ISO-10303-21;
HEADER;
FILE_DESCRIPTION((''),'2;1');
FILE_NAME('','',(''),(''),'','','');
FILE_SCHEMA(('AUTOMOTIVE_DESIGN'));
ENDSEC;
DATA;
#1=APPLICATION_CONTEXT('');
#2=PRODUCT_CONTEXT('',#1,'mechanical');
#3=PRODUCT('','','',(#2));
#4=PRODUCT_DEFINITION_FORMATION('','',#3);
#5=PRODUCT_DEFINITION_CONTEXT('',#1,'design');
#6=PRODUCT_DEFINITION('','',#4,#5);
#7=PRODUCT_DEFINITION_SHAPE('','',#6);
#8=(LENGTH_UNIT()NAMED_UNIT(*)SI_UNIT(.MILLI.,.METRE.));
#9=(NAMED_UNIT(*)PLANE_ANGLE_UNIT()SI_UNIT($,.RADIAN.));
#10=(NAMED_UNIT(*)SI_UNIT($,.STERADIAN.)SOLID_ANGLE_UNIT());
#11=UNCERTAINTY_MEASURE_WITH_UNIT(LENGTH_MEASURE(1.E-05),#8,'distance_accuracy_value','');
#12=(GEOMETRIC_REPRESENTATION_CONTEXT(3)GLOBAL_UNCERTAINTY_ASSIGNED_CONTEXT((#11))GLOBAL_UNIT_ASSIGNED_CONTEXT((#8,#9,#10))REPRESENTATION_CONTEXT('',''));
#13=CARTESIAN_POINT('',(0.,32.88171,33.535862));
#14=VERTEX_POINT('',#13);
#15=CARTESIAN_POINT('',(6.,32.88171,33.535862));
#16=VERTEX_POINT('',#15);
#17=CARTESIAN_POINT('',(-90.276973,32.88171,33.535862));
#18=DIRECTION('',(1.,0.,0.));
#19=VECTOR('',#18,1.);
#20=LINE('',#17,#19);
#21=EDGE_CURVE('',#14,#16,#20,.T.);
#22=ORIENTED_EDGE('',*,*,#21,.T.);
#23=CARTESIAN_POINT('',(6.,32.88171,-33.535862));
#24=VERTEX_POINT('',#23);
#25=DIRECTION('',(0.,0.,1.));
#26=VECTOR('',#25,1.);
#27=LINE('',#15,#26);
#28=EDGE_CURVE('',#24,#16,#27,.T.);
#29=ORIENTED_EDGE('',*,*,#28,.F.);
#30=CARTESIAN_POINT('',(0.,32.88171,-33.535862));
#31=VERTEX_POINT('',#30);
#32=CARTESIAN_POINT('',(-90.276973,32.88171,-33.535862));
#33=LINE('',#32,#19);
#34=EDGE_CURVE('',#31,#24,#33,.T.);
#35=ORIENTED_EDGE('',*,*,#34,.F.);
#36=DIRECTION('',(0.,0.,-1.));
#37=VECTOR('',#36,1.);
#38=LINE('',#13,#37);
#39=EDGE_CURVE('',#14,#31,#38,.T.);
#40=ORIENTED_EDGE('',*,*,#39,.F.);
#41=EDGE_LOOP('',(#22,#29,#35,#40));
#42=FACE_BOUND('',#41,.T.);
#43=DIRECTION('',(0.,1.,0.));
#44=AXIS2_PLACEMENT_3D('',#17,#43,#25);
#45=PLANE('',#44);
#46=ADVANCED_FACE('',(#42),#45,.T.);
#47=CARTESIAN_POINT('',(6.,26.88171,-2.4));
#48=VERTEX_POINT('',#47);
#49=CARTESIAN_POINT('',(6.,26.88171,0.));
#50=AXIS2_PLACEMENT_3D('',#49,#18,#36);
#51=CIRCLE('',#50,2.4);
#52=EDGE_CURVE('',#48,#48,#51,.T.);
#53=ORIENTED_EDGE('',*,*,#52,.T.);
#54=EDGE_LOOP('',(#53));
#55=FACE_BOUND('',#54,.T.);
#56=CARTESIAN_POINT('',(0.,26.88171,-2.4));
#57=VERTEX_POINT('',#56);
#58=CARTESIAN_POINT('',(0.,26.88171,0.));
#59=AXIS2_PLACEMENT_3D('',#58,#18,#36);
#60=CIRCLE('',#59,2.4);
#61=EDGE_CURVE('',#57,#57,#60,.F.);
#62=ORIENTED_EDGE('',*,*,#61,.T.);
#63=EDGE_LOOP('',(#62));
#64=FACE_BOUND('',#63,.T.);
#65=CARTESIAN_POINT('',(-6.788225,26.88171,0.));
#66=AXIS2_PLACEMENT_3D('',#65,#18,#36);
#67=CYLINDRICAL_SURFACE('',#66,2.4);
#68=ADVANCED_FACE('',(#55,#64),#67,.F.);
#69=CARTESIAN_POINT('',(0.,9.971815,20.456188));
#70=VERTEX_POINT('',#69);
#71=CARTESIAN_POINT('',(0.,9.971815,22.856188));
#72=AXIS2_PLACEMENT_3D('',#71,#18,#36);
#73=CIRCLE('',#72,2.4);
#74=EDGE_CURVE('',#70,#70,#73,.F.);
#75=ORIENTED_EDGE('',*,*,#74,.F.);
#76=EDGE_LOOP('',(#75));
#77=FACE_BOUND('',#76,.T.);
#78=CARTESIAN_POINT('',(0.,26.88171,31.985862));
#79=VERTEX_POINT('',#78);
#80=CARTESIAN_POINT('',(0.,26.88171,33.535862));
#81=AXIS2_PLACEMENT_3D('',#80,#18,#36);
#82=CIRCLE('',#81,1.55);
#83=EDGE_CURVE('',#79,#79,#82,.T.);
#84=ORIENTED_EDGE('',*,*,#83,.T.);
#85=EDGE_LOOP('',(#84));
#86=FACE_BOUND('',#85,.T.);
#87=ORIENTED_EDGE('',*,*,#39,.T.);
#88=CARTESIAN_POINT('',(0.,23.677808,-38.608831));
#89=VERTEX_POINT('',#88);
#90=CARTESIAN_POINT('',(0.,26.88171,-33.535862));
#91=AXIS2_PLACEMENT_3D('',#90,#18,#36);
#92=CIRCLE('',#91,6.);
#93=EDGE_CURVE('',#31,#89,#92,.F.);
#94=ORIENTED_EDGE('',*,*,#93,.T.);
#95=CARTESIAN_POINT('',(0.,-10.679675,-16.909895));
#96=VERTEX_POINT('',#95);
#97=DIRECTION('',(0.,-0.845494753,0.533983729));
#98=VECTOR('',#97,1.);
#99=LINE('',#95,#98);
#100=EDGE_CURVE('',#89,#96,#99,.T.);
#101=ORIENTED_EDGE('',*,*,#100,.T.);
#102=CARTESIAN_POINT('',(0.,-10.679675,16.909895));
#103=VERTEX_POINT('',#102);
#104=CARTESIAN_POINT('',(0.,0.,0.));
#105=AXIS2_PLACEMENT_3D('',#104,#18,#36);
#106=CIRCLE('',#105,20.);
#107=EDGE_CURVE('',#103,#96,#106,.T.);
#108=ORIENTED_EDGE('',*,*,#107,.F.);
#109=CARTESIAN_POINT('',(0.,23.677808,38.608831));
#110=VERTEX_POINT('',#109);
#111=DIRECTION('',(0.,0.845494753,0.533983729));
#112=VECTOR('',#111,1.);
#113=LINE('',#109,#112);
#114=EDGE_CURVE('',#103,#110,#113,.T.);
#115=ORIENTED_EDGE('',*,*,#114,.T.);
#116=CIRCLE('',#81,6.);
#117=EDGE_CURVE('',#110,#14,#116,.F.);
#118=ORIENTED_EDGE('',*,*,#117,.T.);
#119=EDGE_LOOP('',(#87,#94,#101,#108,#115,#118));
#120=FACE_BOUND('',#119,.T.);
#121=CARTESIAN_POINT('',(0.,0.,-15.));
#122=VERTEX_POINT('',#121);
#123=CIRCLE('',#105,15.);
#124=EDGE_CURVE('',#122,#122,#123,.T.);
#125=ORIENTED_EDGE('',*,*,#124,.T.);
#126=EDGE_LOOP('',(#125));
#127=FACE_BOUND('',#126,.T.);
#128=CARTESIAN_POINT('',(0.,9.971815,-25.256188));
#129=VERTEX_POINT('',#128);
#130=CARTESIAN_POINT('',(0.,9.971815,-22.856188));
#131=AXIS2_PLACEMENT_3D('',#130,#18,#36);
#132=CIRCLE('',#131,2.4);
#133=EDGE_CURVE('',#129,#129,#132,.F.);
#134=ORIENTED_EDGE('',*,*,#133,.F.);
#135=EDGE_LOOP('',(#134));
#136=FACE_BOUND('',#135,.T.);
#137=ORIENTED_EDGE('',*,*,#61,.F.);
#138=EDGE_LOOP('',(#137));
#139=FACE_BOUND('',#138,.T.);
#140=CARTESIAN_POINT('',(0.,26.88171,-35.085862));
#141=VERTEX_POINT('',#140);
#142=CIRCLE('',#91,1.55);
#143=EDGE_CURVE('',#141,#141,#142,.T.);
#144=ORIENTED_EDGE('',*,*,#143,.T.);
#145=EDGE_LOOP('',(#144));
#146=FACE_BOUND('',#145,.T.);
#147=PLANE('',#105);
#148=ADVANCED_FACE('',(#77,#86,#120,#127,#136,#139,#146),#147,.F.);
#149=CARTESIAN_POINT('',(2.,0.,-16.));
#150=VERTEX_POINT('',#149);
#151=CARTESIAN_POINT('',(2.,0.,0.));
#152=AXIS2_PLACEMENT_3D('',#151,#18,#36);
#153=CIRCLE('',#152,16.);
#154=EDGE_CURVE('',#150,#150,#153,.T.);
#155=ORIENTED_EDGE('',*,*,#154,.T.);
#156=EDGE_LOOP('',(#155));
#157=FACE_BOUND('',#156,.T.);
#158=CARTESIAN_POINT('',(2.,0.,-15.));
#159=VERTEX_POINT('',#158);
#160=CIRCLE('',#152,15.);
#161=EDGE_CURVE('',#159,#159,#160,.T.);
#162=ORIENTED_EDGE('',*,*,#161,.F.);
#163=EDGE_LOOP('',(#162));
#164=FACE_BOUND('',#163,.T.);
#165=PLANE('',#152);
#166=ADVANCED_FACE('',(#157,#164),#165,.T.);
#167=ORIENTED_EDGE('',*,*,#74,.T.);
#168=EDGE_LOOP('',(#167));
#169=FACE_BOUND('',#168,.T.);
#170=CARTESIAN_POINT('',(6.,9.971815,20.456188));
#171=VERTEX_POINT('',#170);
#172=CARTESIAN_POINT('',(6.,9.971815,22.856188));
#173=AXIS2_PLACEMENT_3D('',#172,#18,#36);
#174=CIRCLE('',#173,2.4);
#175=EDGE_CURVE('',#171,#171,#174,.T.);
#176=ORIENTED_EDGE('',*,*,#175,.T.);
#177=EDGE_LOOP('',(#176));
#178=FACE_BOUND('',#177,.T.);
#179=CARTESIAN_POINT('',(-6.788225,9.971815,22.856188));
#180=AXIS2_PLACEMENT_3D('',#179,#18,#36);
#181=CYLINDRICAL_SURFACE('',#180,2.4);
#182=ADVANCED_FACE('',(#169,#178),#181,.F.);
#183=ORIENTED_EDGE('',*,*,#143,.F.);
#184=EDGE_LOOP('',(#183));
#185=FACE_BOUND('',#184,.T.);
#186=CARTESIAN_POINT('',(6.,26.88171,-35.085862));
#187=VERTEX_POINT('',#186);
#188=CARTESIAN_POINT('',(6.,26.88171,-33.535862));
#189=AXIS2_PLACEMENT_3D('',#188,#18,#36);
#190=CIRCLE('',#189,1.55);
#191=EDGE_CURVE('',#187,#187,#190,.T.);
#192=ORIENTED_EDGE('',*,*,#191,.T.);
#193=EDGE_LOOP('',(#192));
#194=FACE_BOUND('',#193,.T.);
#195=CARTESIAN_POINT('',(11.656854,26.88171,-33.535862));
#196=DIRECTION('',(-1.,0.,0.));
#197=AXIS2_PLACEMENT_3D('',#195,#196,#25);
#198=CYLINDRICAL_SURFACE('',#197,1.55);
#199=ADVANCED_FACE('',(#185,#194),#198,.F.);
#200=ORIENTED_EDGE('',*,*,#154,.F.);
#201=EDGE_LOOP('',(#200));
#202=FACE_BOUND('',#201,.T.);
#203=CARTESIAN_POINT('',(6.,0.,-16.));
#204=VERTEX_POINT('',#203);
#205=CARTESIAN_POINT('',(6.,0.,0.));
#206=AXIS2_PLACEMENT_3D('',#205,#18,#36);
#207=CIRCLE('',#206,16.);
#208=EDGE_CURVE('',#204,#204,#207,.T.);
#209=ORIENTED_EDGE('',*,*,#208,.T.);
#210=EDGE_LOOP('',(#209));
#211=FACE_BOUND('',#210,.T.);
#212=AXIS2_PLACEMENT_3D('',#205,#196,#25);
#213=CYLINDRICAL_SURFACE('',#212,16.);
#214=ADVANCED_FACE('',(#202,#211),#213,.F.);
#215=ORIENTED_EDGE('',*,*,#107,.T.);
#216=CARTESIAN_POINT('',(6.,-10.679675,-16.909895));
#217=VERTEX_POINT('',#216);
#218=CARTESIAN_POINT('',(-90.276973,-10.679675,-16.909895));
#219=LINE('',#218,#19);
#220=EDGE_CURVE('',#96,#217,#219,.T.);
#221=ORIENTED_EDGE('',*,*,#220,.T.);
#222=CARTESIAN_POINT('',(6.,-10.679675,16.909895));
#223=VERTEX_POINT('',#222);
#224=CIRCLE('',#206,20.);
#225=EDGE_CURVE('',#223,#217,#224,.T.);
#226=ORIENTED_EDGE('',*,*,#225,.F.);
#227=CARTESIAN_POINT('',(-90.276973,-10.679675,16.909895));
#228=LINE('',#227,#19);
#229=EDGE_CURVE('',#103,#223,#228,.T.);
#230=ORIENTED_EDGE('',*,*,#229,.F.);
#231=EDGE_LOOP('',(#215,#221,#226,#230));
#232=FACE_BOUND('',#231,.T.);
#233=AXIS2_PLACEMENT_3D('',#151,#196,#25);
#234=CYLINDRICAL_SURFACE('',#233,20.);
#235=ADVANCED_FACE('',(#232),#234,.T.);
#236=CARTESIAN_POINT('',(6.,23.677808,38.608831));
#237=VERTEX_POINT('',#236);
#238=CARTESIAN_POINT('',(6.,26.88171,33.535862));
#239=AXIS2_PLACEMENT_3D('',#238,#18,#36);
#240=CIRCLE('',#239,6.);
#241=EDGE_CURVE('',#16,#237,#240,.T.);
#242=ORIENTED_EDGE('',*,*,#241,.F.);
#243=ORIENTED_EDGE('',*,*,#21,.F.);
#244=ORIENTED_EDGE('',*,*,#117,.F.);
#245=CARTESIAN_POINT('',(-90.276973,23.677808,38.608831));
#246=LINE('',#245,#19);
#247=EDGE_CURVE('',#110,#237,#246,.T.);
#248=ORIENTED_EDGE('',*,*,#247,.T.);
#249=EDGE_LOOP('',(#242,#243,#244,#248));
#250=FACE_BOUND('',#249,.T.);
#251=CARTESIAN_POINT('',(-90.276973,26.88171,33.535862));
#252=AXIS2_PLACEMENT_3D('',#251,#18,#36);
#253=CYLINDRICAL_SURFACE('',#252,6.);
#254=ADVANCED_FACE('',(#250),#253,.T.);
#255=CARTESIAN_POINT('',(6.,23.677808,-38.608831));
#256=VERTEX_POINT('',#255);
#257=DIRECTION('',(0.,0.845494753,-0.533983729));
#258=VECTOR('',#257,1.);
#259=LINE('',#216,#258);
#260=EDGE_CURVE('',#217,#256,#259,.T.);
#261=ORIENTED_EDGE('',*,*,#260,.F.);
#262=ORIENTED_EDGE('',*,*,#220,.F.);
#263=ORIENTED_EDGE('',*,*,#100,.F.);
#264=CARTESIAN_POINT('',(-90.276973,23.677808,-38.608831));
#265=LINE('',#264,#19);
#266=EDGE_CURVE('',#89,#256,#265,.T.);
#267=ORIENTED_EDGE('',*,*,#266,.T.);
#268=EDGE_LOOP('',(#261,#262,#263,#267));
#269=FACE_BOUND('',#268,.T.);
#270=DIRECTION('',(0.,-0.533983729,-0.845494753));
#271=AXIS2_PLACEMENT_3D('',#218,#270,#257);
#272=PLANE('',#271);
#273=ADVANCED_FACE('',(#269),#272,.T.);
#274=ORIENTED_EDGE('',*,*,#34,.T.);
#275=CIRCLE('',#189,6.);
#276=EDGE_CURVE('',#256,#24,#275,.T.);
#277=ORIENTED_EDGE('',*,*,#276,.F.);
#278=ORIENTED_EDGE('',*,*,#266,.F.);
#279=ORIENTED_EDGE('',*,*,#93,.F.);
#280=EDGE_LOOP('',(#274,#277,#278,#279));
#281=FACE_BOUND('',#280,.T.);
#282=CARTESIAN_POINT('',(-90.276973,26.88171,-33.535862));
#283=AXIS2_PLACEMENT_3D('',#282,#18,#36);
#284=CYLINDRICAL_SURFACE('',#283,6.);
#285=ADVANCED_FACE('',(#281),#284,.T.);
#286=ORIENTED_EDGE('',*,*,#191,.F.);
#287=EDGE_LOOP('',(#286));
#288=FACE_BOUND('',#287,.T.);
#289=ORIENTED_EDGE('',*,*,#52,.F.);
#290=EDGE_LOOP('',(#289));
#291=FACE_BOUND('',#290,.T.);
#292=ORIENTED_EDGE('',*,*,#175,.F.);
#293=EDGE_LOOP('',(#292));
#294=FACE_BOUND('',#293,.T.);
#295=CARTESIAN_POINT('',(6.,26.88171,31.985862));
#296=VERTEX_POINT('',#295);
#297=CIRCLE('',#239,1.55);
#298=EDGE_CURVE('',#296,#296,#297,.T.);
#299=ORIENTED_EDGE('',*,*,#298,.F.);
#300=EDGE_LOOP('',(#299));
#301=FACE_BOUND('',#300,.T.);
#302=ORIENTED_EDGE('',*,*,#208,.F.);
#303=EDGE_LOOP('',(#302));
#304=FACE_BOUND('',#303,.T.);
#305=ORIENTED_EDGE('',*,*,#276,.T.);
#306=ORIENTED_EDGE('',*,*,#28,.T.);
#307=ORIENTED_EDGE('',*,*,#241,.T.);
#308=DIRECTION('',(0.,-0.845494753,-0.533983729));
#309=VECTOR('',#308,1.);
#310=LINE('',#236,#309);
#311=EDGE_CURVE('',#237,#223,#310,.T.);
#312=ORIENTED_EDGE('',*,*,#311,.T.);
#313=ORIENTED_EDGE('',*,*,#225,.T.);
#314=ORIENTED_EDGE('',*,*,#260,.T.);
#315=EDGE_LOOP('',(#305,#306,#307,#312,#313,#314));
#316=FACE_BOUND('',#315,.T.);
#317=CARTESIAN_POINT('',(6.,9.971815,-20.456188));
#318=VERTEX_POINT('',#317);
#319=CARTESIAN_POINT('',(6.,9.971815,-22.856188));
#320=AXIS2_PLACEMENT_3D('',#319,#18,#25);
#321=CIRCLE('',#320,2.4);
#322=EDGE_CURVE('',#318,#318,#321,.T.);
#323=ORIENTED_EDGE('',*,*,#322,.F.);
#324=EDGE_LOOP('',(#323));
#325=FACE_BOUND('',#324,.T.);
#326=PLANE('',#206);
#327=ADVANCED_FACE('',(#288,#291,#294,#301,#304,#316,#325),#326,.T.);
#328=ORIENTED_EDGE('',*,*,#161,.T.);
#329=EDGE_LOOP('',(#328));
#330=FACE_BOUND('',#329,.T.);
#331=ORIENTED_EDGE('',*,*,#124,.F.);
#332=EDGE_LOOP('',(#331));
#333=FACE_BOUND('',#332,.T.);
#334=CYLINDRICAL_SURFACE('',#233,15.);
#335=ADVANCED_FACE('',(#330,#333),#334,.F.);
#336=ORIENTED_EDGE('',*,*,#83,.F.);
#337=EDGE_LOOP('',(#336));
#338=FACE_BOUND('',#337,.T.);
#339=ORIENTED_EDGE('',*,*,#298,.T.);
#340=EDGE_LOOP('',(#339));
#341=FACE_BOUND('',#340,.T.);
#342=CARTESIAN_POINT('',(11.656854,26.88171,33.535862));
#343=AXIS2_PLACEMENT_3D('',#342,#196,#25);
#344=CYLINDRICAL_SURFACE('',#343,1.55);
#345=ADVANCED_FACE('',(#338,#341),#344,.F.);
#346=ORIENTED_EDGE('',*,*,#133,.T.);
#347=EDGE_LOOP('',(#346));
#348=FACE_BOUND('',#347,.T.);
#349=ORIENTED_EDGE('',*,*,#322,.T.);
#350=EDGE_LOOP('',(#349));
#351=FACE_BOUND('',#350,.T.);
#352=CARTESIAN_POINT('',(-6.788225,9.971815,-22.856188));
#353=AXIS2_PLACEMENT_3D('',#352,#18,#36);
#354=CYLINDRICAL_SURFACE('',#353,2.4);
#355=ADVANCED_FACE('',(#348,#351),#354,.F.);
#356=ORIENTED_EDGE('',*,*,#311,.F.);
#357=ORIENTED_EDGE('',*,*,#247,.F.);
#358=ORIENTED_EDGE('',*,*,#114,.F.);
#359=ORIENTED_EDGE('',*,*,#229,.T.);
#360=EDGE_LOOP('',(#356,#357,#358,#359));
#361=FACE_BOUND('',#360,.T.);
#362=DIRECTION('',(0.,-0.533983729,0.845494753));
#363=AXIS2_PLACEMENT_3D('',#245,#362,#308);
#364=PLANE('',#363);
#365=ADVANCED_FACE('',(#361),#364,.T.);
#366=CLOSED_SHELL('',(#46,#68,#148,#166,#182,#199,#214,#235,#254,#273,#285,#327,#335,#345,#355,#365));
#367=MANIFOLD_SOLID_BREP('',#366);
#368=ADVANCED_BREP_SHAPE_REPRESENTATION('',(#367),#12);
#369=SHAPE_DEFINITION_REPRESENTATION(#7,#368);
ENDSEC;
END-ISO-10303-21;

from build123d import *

# Parameters (mm, degrees)
SKETCH1_R           = 20
SKETCH1_R_2         = 15
BOSS_EXTRUDE1_DEPTH = 2
SKETCH2_R           = 20
SKETCH2_R_2         = 16
BOSS_EXTRUDE2_DEPTH = 4
SKETCH3_R           = 2
BOSS_EXTRUDE3_DEPTH = 6
SKETCH4_R           = 2.4
CUT_EXTRUDE1_DEPTH  = 6
SKETCH5_R           = 2
SKETCH5_R_2         = 1.55
BOSS_EXTRUDE4_DEPTH = 6


with BuildPart() as part:
    # Sketch1 → Boss-Extrude1 (new body)
    with BuildSketch(Plane(origin=(0, 0, 0), x_dir=(0, 0, -1), z_dir=(1, 0, 0))):
        Circle(SKETCH1_R)
        Circle(SKETCH1_R_2, mode=Mode.SUBTRACT)
    extrude(amount=BOSS_EXTRUDE1_DEPTH)

    # Sketch2 → Boss-Extrude2 (add)
    with BuildSketch(Plane(origin=(2, 0, 0), x_dir=(0, 0, -1), z_dir=(1, 0, 0))):
        Circle(SKETCH2_R)
        Circle(SKETCH2_R_2, mode=Mode.SUBTRACT)
    extrude(amount=BOSS_EXTRUDE2_DEPTH)

    # Sketch3 → Boss-Extrude3 (add)
    with BuildSketch(Plane(origin=(6, 0, 0), x_dir=(0, 0, -1), z_dir=(1, 0, 0))):
        with BuildLine():
            Line((-38.608830959, 23.677807584), (-16.909895057, -10.679674581))
            ThreePointArc((-16.909895057, -10.679674581), (0, 20), (16.909895057, -10.679674581))
            Line((16.909895057, -10.679674581), (38.608830959, 23.677807584))
            ThreePointArc((38.608830959, 23.677807584), (38.790546744, 29.777964933), (33.535862442, 32.881709959))
            Line((33.535862442, 32.881709959), (-33.535862442, 32.881709959))
            ThreePointArc((-33.535862442, 32.881709959), (-38.790546744, 29.777964933), (-38.608830959, 23.677807584))
        make_face()
        with Locations((-33.535862442, 26.881709959)):
            Circle(SKETCH3_R, mode=Mode.SUBTRACT)
        with Locations((33.535862442, 26.881709959)):
            Circle(SKETCH3_R, mode=Mode.SUBTRACT)
    extrude(amount=-BOSS_EXTRUDE3_DEPTH)

    # Sketch4 → Cut-Extrude1 (cut)
    with BuildSketch(Plane(origin=(6, 0, 0), x_dir=(0, 0, -1), z_dir=(1, 0, 0))):
        with Locations((-22.856187861, 9.971814902)):
            Circle(SKETCH4_R)
        with Locations((22.856187861, 9.971814902)):
            Circle(SKETCH4_R)
        with Locations((0, 26.881709959)):
            Circle(SKETCH4_R)
    extrude(amount=-CUT_EXTRUDE1_DEPTH, mode=Mode.SUBTRACT)

    # Sketch5 → Boss-Extrude4 (add)
    with BuildSketch(Plane(origin=(0, 0, 0), x_dir=(0, 0, -1), z_dir=(1, 0, 0))):
        with Locations((33.535862442, 26.881709959)):
            Circle(SKETCH5_R)
        with Locations((33.535862442, 26.881709959)):
            Circle(SKETCH5_R_2, mode=Mode.SUBTRACT)
        with Locations((-33.535862442, 26.881709959)):
            Circle(SKETCH5_R)
        with Locations((-33.535862442, 26.881709959)):
            Circle(SKETCH5_R_2, mode=Mode.SUBTRACT)
    extrude(amount=BOSS_EXTRUDE4_DEPTH)


solid = part.part
